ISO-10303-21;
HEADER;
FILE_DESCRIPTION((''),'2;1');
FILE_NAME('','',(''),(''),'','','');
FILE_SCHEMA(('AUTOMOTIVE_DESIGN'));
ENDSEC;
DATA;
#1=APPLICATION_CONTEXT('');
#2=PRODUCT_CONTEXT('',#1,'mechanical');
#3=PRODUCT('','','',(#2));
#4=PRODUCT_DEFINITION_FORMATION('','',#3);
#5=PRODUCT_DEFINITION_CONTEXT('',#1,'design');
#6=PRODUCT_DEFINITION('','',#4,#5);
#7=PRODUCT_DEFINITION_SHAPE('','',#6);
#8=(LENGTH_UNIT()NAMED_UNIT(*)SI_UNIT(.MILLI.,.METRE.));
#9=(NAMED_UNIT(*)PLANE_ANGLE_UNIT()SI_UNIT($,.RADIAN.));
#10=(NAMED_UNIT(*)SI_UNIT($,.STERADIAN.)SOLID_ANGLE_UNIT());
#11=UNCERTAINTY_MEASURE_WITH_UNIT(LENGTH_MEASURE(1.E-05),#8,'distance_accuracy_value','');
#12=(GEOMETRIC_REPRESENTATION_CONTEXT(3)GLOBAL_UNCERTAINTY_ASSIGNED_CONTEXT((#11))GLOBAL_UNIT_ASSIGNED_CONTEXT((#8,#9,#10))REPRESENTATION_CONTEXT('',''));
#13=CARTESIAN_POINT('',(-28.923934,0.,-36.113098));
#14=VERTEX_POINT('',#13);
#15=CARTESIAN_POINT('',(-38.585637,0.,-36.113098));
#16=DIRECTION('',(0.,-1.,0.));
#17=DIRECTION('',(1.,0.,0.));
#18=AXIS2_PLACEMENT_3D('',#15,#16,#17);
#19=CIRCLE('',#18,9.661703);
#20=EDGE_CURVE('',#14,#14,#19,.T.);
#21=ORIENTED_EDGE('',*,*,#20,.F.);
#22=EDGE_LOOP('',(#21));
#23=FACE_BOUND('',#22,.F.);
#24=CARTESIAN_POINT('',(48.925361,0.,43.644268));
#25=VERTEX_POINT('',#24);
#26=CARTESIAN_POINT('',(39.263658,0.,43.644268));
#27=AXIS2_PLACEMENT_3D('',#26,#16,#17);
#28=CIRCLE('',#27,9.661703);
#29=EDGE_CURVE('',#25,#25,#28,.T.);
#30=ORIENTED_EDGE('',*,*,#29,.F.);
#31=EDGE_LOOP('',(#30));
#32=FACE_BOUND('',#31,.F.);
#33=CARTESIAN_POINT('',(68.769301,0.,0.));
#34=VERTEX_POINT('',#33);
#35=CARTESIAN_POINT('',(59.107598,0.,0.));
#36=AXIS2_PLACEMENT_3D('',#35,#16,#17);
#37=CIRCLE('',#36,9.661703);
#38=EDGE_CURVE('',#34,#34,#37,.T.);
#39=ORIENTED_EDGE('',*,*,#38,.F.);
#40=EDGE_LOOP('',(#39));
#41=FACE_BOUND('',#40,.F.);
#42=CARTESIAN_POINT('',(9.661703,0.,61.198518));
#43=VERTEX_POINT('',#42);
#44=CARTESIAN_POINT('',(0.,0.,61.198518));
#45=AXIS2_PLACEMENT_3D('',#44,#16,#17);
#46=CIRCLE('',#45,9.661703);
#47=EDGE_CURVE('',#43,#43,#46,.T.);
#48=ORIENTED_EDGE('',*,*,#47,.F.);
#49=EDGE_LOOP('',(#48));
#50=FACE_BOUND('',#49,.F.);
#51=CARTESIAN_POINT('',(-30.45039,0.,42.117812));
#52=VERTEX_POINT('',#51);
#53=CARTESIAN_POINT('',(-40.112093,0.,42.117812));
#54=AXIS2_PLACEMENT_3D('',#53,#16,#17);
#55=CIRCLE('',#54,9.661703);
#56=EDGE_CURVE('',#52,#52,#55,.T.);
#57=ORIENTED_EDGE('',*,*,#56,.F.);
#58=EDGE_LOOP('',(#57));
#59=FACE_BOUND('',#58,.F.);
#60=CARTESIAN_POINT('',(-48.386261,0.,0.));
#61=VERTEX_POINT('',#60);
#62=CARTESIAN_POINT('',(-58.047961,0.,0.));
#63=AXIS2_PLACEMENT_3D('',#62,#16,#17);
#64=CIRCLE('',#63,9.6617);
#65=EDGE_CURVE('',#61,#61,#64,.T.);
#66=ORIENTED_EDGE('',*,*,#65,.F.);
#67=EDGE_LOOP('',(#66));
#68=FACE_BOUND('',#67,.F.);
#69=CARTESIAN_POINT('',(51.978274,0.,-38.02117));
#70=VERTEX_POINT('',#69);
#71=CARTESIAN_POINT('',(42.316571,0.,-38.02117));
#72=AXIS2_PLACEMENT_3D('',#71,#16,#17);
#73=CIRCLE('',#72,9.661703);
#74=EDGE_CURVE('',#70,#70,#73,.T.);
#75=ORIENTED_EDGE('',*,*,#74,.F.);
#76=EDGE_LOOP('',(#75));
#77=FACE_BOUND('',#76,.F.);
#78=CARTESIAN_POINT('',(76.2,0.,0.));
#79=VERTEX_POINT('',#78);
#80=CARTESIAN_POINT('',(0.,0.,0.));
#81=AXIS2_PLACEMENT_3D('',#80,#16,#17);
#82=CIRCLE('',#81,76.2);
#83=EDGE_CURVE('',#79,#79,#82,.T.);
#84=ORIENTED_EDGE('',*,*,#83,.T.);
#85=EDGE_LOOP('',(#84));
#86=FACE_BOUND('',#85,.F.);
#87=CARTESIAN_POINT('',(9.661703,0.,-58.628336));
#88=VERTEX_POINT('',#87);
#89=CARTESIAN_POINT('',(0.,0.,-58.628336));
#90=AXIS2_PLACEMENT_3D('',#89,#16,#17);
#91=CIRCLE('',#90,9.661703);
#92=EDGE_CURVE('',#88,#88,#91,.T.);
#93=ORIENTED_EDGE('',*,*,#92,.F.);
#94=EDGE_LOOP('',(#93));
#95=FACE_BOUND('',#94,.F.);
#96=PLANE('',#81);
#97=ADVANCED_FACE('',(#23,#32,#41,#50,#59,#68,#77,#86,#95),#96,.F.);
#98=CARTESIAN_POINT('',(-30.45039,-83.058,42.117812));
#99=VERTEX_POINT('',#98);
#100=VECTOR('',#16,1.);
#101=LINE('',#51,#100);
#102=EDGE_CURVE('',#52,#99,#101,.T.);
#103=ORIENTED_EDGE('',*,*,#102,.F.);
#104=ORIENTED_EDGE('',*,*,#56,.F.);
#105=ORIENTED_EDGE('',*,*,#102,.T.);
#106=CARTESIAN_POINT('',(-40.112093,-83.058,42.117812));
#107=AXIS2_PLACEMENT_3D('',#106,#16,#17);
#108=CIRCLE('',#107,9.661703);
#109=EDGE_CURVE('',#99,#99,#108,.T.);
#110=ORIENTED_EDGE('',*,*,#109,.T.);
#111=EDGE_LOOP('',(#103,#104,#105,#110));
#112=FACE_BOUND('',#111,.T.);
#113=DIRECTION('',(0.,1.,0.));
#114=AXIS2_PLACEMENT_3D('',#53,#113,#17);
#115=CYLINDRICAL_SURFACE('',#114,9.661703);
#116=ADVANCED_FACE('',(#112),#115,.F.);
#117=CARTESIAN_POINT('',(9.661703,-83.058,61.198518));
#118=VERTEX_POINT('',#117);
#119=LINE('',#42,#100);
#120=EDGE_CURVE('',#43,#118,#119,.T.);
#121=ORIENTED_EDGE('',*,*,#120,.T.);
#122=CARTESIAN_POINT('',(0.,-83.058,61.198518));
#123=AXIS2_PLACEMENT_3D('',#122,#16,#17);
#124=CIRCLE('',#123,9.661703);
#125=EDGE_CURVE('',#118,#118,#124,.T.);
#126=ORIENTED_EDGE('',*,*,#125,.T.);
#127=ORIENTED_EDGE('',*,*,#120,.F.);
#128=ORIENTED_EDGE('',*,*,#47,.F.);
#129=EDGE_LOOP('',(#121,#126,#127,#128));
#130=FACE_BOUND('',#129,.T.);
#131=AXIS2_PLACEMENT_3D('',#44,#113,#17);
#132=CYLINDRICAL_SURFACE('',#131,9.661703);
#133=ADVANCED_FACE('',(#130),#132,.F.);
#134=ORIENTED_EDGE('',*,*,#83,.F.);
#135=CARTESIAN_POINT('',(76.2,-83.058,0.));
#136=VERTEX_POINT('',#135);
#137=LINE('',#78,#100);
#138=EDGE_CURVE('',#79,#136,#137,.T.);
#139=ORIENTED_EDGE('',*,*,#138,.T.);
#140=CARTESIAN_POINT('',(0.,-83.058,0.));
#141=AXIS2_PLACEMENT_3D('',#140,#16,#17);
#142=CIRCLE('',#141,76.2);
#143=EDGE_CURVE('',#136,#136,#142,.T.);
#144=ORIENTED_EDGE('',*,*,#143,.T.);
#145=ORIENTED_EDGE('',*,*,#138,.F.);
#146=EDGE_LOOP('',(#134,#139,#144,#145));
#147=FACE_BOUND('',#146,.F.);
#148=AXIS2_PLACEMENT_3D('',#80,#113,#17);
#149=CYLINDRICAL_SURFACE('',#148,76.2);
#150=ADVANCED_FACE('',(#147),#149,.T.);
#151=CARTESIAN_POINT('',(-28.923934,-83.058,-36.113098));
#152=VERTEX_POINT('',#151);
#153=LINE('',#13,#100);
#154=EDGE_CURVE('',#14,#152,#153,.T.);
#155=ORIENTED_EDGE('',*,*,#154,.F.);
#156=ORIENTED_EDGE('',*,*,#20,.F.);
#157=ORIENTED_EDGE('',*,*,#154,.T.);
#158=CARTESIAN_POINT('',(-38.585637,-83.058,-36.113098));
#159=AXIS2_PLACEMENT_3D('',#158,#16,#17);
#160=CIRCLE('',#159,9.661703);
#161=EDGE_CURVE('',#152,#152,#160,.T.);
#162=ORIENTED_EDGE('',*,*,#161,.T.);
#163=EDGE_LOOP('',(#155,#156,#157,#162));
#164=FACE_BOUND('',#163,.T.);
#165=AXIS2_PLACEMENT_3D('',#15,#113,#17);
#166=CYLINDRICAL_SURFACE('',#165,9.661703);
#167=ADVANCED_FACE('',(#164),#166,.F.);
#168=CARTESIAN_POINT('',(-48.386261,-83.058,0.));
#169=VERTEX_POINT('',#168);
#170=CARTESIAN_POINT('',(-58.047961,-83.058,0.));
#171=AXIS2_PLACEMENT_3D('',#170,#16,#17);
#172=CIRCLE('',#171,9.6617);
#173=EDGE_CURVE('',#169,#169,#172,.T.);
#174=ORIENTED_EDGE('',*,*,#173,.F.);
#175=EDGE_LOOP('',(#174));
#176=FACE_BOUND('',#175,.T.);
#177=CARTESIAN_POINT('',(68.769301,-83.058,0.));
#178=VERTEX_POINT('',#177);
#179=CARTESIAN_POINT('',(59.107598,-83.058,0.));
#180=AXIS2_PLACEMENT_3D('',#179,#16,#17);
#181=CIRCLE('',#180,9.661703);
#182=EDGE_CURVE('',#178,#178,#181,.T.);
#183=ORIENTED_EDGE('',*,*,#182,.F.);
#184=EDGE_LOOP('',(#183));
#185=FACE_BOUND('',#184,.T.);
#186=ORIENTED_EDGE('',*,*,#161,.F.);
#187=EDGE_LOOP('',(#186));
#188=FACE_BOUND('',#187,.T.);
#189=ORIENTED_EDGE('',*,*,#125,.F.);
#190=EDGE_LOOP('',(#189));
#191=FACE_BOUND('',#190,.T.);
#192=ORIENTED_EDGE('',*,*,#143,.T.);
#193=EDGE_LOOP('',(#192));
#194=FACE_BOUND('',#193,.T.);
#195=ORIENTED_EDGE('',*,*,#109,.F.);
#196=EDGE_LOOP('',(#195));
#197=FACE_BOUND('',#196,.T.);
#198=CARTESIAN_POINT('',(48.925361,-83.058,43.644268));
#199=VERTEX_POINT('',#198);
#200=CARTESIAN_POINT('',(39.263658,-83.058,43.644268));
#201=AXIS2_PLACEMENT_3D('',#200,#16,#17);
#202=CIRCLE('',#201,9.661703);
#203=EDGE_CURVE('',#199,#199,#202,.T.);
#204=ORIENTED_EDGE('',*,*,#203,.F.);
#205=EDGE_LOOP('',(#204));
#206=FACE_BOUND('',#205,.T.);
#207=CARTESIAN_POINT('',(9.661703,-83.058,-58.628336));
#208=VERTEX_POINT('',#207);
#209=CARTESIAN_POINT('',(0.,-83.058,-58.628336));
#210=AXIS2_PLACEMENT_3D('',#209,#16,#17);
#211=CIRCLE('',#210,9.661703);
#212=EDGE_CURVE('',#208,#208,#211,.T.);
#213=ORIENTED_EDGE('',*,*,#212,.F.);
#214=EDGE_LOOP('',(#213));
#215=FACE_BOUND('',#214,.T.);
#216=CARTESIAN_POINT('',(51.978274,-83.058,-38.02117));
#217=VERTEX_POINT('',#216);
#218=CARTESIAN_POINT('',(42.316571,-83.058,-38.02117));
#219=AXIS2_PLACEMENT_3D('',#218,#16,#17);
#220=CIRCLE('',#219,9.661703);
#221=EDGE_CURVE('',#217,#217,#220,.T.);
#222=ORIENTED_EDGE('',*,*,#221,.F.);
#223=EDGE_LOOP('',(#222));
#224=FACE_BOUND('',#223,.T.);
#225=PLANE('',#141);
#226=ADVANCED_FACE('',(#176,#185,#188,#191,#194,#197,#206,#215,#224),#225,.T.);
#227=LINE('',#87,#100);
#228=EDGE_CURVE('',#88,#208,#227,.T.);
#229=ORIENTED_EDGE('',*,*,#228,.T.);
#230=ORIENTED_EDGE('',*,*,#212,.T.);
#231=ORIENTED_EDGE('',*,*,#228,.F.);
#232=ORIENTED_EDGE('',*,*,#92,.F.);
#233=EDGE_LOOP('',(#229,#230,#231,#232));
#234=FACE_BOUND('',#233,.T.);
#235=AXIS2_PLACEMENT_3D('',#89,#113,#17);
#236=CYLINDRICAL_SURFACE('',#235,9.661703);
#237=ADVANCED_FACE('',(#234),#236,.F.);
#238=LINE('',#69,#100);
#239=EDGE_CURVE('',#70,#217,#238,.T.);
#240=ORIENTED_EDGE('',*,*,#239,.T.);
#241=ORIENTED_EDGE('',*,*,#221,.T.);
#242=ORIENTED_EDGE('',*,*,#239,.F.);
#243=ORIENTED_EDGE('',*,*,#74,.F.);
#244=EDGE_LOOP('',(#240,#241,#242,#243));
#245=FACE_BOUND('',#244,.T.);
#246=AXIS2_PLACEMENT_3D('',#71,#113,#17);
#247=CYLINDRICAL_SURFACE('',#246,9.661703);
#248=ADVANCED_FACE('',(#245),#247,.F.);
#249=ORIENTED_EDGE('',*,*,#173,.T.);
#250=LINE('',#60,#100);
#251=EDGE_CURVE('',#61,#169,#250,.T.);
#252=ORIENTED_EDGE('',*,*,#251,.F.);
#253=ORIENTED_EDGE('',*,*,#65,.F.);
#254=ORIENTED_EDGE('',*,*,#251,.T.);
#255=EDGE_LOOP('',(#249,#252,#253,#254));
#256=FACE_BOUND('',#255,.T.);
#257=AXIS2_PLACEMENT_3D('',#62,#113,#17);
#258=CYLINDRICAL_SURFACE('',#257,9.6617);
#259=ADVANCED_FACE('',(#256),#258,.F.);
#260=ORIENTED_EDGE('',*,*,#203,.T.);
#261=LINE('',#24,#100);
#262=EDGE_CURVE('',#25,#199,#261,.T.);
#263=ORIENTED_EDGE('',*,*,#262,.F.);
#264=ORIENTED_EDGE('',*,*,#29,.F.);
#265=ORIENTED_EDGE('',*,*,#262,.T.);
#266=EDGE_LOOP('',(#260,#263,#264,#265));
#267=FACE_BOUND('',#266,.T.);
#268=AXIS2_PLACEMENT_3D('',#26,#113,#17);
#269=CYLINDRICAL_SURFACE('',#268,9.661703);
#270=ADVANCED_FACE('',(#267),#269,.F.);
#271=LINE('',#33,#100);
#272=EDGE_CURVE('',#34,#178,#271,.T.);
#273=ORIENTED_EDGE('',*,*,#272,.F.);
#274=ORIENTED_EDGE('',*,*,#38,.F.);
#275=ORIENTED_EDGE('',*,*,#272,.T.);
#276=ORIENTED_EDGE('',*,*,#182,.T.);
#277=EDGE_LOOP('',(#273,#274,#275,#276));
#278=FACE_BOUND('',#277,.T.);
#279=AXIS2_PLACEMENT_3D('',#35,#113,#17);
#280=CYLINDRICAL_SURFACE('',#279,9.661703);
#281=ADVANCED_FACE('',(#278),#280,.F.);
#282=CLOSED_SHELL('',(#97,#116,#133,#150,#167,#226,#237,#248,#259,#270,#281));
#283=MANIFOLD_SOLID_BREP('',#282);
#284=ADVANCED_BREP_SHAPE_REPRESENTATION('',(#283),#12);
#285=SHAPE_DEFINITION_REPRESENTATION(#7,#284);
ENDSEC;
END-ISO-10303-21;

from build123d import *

# Parameters (mm, degrees)
F0_R     = 76.2
F0_R_2   = 9.661703
F0_R_3   = 9.6617
F1_DEPTH = 83.058


with BuildPart() as f1:
    # F0 (on Front) → F1 (new body)
    with BuildSketch(Plane.XZ):
        Circle(F0_R)
        with Locations((-38.585637, -36.113098)):
            Circle(F0_R_2, mode=Mode.SUBTRACT)
        with Locations((0, -58.628336)):
            Circle(F0_R_2, mode=Mode.SUBTRACT)
        with Locations((42.316571, -38.02117)):
            Circle(F0_R_2, mode=Mode.SUBTRACT)
        with Locations((-58.047961, 0)):
            Circle(F0_R_3, mode=Mode.SUBTRACT)
        with Locations((-40.112093, 42.117812)):
            Circle(F0_R_2, mode=Mode.SUBTRACT)
        with Locations((59.107598, 0)):
            Circle(F0_R_2, mode=Mode.SUBTRACT)
        with Locations((0, 61.198518)):
            Circle(F0_R_2, mode=Mode.SUBTRACT)
        with Locations((39.263658, 43.644268)):
            Circle(F0_R_2, mode=Mode.SUBTRACT)
    extrude(amount=F1_DEPTH)


solid = f1.part
